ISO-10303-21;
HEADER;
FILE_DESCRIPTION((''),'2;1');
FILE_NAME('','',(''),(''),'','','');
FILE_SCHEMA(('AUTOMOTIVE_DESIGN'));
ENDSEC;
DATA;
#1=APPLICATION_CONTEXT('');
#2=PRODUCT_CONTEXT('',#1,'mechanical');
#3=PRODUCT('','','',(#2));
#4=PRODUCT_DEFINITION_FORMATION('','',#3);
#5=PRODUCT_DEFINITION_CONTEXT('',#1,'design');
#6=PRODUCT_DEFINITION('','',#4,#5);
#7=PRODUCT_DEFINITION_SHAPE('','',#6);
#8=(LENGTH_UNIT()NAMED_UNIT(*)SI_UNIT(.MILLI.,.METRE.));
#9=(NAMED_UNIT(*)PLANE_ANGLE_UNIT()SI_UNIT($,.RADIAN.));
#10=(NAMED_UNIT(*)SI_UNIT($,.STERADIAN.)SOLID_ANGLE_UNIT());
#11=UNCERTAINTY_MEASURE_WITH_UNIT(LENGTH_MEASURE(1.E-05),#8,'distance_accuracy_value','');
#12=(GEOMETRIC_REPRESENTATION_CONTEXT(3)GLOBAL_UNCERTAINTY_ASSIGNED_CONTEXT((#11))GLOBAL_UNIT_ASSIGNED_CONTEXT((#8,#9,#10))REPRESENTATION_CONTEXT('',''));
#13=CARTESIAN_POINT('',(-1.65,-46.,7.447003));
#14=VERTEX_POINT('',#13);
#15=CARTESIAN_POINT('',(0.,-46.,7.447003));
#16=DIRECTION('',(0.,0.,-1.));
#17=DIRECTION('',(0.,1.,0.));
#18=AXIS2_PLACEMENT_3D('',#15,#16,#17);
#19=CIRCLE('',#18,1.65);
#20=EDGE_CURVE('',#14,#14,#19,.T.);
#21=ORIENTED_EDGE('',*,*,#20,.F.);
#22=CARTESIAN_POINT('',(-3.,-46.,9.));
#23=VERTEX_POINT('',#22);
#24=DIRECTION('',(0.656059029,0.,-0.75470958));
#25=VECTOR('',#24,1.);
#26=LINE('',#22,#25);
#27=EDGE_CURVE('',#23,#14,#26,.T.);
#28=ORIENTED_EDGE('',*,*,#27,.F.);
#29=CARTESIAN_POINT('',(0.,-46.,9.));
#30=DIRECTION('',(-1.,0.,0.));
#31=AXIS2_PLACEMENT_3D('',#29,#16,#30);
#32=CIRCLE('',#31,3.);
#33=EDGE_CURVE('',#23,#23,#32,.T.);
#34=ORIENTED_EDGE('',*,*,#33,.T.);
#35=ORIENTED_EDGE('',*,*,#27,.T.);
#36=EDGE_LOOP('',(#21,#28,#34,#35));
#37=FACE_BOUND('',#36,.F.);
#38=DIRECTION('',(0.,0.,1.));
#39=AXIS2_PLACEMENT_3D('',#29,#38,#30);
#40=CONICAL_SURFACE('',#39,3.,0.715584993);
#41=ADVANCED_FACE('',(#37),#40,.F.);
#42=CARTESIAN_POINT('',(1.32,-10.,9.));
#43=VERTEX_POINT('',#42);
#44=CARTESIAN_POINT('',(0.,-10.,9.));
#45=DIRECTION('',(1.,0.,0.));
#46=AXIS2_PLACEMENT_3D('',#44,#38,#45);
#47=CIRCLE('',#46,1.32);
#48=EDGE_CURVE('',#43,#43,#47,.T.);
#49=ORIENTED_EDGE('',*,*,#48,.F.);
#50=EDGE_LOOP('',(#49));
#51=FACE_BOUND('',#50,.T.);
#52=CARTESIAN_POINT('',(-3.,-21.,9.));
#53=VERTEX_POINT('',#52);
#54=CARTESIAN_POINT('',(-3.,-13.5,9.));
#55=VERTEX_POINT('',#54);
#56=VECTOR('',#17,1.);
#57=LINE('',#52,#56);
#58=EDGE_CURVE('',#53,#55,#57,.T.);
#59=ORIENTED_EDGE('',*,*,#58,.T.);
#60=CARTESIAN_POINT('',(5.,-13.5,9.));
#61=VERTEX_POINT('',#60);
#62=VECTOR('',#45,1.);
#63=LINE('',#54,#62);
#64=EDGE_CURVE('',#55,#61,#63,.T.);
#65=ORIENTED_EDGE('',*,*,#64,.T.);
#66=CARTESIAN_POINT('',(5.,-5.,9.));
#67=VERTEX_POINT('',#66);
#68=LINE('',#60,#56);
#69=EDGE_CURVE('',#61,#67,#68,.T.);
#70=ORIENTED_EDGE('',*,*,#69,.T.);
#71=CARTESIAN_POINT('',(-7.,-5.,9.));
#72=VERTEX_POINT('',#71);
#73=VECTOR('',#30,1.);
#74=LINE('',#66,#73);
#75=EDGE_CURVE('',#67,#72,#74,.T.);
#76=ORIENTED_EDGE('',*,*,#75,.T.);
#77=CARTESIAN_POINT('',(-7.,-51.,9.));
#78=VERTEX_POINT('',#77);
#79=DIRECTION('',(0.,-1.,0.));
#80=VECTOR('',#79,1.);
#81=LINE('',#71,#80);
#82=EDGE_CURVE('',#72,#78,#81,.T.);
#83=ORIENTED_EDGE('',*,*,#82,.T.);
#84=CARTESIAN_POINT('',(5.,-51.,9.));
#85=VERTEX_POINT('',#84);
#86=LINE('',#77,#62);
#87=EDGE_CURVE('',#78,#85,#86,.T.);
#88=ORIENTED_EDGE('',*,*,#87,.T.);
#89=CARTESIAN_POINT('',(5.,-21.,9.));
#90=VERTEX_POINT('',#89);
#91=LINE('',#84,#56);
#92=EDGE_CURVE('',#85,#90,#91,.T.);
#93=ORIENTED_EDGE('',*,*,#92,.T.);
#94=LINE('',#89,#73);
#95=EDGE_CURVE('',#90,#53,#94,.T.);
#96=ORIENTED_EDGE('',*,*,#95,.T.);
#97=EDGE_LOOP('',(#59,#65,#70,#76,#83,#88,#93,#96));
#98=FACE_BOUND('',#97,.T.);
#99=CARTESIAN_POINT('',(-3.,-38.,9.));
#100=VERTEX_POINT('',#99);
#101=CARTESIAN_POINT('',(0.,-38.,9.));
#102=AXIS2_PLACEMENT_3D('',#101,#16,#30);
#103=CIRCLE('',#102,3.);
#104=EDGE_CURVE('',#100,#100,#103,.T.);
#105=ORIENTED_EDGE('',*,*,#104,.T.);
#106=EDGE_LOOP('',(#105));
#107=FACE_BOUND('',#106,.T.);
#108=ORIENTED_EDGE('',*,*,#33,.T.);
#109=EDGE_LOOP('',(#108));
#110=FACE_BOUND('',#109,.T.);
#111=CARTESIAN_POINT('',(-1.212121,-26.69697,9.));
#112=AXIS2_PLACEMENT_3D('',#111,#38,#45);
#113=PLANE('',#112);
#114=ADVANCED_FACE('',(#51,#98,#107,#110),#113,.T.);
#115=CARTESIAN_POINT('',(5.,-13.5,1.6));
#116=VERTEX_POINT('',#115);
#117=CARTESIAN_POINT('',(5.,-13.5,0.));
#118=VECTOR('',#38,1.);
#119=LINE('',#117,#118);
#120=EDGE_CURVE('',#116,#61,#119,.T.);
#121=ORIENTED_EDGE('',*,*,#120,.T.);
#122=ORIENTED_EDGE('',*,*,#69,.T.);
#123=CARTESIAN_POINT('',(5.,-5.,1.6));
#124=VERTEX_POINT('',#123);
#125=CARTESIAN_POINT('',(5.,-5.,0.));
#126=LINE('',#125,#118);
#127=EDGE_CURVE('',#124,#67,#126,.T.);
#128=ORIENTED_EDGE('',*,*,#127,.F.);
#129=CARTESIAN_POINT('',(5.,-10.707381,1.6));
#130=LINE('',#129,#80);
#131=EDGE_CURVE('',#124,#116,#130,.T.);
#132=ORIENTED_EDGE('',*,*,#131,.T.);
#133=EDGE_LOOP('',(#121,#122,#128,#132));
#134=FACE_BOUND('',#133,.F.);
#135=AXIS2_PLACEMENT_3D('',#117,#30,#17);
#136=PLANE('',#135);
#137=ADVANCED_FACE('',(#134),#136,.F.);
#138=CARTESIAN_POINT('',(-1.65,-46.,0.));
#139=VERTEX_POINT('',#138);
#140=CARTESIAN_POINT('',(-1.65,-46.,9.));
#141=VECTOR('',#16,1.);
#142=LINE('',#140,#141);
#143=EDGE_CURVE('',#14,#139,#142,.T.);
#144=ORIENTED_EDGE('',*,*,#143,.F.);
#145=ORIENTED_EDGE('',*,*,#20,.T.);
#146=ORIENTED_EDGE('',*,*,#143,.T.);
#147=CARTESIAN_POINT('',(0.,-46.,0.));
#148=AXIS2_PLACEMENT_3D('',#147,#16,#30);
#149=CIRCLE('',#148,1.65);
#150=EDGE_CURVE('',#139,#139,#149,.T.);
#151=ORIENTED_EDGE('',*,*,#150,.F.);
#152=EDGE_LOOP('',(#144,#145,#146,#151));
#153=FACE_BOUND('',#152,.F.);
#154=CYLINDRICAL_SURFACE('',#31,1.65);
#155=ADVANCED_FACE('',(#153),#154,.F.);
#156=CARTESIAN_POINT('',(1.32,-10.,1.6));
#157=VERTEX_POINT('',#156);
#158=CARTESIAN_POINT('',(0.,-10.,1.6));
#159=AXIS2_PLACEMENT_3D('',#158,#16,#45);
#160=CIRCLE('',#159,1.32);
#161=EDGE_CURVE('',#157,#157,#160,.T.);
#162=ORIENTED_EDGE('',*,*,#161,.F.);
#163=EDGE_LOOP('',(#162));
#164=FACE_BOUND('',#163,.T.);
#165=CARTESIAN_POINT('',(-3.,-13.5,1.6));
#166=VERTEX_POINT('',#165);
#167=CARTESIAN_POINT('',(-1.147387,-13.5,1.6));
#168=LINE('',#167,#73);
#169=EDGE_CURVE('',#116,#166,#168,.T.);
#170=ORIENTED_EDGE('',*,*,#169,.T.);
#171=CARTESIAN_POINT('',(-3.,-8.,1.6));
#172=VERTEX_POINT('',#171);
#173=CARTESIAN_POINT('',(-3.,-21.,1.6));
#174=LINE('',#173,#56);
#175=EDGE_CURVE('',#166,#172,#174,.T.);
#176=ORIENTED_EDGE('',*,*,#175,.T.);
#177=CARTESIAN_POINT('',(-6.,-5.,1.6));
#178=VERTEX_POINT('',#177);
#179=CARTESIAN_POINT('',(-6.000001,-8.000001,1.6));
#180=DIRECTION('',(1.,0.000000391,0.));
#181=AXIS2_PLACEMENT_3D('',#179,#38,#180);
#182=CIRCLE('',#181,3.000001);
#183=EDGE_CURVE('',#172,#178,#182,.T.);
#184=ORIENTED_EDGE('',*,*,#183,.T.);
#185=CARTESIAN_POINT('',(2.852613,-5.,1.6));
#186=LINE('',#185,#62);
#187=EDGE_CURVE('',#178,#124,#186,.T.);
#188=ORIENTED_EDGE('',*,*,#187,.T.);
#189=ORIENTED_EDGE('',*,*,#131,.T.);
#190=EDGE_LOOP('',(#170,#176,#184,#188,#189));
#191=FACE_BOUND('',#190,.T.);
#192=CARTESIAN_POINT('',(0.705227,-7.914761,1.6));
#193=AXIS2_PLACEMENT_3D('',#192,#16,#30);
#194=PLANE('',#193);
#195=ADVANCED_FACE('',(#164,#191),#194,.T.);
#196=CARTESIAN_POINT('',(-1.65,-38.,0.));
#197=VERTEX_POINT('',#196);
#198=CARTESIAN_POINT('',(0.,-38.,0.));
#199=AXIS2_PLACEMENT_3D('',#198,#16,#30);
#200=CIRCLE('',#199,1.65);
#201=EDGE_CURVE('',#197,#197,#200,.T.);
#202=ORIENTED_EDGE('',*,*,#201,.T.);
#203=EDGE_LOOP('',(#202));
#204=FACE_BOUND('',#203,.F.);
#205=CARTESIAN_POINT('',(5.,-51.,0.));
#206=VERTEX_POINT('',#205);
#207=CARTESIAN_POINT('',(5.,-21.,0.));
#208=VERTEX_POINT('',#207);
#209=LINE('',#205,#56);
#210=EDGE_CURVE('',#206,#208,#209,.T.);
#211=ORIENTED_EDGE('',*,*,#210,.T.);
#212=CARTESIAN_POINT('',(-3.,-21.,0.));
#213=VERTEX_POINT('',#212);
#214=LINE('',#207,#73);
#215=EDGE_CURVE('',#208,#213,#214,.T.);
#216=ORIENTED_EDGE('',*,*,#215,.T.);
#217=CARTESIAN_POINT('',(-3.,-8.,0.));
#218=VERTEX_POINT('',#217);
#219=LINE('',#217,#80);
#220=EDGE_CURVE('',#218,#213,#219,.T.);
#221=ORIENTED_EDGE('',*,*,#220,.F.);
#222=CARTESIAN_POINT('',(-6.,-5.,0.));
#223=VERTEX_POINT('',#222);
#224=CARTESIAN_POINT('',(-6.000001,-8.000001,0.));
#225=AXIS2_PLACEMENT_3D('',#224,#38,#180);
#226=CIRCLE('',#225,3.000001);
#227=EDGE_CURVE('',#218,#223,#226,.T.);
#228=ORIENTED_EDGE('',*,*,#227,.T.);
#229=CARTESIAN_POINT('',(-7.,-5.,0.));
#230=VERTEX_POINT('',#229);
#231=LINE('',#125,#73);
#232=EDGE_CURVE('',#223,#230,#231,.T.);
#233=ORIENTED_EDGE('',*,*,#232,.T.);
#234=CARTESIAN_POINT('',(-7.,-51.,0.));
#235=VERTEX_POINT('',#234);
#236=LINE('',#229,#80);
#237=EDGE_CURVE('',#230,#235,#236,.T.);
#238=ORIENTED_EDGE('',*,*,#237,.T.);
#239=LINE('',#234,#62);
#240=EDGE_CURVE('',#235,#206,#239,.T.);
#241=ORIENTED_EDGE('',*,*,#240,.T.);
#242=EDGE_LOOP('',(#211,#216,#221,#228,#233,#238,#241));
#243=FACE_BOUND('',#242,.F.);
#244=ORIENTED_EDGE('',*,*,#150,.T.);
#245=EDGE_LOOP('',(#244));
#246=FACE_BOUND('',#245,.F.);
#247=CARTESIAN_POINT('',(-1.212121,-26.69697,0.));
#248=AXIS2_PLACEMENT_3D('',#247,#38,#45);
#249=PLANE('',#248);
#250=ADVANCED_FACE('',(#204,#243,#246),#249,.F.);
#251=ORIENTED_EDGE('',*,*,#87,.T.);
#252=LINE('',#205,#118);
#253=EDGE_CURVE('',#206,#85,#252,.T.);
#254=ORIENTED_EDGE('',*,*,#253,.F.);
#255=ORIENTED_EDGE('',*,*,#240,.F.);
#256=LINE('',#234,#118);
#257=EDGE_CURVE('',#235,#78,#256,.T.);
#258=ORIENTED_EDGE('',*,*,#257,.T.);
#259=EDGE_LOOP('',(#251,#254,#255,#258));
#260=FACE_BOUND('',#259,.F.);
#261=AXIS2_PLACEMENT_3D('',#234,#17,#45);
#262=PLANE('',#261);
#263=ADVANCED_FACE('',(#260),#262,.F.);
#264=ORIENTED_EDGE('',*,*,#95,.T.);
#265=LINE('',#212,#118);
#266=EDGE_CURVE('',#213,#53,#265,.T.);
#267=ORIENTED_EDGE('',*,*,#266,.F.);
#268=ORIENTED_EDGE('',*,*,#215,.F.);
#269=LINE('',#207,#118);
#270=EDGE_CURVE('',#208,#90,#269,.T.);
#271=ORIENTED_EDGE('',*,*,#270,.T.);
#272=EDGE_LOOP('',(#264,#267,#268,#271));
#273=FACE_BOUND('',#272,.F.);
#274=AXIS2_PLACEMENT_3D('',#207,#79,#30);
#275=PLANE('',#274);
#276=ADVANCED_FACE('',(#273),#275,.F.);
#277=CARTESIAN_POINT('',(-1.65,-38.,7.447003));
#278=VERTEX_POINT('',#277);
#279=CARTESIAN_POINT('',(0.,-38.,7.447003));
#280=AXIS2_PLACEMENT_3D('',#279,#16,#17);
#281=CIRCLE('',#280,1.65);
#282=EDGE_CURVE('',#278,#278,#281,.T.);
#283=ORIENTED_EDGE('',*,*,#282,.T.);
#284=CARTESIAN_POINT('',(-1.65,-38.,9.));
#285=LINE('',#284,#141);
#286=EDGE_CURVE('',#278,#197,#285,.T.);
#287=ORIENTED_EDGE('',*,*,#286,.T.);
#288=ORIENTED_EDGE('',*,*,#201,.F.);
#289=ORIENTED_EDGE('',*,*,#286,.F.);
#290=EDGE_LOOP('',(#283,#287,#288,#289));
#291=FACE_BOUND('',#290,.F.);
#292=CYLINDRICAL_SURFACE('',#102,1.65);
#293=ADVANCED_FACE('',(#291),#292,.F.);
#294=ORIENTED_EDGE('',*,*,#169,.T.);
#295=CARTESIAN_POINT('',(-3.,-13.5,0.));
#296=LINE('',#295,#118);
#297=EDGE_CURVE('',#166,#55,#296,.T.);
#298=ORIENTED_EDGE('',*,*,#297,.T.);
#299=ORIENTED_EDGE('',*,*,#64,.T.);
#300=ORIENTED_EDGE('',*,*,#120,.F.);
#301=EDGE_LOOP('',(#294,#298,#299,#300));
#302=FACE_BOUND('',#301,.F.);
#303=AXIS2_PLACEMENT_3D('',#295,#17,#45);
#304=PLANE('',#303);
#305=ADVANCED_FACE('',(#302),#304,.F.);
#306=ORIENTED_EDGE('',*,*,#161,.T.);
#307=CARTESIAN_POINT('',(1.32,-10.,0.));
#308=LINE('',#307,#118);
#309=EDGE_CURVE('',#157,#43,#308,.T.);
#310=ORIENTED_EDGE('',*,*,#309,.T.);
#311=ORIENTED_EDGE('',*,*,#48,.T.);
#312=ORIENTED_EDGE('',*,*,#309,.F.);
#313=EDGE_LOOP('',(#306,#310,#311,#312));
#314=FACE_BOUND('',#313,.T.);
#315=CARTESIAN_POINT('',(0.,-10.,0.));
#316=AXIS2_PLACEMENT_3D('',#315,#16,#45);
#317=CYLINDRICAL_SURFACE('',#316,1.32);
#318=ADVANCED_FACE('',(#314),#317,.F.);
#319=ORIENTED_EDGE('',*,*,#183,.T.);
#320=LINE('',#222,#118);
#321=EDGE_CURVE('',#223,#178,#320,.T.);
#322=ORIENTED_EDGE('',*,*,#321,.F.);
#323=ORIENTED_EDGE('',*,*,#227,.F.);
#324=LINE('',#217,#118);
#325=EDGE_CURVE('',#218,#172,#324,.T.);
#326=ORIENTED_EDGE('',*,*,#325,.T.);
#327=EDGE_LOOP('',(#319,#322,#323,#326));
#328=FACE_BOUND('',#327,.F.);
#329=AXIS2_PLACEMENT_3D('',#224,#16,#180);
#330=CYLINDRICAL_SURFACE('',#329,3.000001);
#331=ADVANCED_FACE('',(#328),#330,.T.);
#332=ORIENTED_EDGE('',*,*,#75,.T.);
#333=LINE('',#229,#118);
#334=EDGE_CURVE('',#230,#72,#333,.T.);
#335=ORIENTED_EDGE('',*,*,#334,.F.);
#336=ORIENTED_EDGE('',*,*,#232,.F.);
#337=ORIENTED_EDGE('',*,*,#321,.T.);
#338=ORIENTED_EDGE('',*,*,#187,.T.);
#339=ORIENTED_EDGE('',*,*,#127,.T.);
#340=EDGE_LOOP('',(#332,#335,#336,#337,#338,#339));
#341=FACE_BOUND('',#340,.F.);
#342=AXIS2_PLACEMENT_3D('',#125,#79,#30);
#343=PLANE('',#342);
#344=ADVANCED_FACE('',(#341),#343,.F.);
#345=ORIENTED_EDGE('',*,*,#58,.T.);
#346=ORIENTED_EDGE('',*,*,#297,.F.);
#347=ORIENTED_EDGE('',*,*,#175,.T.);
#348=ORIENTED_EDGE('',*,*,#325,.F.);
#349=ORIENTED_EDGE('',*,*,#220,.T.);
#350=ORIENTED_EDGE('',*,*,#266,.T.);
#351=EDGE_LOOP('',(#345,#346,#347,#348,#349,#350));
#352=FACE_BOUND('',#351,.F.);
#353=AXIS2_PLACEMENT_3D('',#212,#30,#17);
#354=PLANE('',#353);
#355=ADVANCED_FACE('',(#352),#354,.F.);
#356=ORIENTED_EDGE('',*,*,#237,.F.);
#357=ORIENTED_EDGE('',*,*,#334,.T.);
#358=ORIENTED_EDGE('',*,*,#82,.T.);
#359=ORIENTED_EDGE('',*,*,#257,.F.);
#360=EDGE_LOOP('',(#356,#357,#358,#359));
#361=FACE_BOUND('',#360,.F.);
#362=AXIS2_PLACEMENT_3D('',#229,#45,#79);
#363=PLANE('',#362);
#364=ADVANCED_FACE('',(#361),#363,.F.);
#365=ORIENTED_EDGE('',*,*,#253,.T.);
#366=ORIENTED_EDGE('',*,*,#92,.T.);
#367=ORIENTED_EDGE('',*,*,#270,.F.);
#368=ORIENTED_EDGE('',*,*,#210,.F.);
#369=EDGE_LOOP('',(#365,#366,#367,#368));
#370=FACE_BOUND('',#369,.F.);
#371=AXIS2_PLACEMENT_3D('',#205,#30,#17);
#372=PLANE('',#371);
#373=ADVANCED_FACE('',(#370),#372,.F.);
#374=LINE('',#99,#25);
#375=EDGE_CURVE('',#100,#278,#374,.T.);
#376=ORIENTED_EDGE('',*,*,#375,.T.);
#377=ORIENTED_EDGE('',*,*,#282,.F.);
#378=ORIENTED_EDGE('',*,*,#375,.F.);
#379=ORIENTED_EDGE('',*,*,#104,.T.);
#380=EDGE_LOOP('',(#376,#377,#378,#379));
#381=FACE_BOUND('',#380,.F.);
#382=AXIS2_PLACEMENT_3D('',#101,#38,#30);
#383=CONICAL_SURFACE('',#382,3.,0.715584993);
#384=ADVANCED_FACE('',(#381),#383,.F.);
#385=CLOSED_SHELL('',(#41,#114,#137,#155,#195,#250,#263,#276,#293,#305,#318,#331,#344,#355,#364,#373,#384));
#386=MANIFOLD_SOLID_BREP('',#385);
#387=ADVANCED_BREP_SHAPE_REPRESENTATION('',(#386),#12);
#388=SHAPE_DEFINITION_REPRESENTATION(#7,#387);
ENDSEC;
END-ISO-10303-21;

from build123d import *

# Parameters (mm, degrees)
SKETCH072_R         = 1.32
PAD047_DEPTH        = 9
POCKET023_DEPTH     = 1.6
HOLE001_D           = 3.3
HOLE001_CSINK_D     = 6
HOLE001_CSINK_ANGLE = 82


with BuildPart() as part:
    # Sketch072 → Pad047 (new body)
    with BuildSketch(Plane.XY):
        Polygon((-7, -51), (5, -51), (5, -21), (-3, -21), (-3, -13.5), (5, -13.5), (5, -5), (-7, -5), align=None)
        with Locations((0, -10)):
            Circle(SKETCH072_R, mode=Mode.SUBTRACT)
    extrude(amount=PAD047_DEPTH)

    # Sketch073 → Pocket023 (cut)
    with BuildSketch(Plane.XY):
        with BuildLine():
            Line((-6, 4), (6, 4))
            Line((6, 4), (6, -21))
            Line((6, -21), (-3, -21))
            Line((-3, -21), (-3, -8))
            ThreePointArc((-3, -8), (-3.87868, -5.87868), (-6, -5))
            Line((-6, -5), (-6, 4))
        make_face()
    extrude(amount=POCKET023_DEPTH, mode=Mode.SUBTRACT)

    # Hole001 (through all)
    with Locations(Plane.XY.offset(9)):
        with Locations((0, -38), (0, -46)):
            CounterSinkHole(HOLE001_D / 2, HOLE001_CSINK_D / 2, counter_sink_angle=HOLE001_CSINK_ANGLE)


solid = part.part
